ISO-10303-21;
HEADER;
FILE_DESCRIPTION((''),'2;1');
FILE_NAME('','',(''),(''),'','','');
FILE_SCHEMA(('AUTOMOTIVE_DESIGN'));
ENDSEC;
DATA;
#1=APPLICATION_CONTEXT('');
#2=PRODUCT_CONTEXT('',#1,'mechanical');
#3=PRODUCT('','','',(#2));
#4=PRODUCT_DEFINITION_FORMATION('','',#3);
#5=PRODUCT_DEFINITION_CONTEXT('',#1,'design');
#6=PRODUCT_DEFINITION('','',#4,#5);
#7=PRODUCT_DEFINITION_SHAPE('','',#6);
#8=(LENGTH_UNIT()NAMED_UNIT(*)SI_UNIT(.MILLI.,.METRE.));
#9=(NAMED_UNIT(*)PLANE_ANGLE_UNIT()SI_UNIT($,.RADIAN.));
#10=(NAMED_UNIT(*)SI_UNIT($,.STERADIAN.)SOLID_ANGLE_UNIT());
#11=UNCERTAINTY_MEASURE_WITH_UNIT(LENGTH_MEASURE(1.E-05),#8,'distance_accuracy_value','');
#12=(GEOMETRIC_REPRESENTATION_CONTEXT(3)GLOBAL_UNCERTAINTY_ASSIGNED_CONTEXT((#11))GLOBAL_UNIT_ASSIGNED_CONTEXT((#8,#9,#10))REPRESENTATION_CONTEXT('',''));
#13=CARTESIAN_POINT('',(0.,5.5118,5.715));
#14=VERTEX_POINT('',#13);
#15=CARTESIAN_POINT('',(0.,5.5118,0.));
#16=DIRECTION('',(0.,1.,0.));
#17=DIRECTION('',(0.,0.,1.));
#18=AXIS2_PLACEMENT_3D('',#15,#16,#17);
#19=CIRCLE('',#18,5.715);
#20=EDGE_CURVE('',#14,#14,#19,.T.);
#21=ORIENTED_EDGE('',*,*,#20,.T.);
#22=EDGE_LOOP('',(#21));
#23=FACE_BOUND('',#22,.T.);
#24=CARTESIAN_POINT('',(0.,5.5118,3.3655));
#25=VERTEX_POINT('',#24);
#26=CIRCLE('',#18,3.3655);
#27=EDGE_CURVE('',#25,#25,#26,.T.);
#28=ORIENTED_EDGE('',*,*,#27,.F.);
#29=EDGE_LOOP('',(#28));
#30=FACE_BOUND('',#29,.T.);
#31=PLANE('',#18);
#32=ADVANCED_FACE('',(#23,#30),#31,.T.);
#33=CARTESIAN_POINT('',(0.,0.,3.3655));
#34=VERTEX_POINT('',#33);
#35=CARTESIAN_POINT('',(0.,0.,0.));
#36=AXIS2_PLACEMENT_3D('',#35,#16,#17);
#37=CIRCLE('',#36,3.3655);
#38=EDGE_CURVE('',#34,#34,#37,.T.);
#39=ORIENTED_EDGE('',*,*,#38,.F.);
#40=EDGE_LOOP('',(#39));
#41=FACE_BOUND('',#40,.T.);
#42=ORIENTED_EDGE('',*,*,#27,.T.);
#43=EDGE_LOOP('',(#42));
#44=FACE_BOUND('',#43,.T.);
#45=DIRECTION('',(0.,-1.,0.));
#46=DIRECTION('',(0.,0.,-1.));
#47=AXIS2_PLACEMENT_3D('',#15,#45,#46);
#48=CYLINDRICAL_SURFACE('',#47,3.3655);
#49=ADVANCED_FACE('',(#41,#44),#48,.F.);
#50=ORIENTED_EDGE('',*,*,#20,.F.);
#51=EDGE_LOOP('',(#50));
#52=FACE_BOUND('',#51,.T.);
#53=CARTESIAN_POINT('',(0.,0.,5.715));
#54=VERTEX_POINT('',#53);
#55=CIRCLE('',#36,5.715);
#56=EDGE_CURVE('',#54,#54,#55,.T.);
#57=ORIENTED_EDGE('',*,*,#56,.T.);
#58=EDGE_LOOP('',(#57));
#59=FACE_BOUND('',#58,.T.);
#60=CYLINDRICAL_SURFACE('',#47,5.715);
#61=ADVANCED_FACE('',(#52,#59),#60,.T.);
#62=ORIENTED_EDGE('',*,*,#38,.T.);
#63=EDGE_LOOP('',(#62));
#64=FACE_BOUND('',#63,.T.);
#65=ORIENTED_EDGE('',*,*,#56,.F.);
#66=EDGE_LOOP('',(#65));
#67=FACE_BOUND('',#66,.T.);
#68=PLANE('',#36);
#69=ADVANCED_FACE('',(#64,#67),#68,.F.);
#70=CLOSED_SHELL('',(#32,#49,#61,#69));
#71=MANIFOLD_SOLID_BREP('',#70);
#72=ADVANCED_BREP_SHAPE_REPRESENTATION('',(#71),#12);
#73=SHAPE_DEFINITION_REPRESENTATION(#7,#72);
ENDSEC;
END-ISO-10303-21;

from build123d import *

# Parameters (mm, degrees)
SKETCH1_R           = 5.715
SKETCH1_R_2         = 3.3655
BOSS_EXTRUDE1_DEPTH = 5.5118


with BuildPart() as part:
    # Sketch1 → Boss-Extrude1 (new body)
    with BuildSketch(Plane(origin=(0, 0, 0), x_dir=(1, 0, 0), z_dir=(0, 1, 0))):
        with Locations(Location((0, 0, 0), (0, 0, 270))):
            Circle(SKETCH1_R)
        with Locations(Location((0, 0, 0), (0, 0, 270))):
            Circle(SKETCH1_R_2, mode=Mode.SUBTRACT)
    extrude(amount=BOSS_EXTRUDE1_DEPTH)


solid = part.part
